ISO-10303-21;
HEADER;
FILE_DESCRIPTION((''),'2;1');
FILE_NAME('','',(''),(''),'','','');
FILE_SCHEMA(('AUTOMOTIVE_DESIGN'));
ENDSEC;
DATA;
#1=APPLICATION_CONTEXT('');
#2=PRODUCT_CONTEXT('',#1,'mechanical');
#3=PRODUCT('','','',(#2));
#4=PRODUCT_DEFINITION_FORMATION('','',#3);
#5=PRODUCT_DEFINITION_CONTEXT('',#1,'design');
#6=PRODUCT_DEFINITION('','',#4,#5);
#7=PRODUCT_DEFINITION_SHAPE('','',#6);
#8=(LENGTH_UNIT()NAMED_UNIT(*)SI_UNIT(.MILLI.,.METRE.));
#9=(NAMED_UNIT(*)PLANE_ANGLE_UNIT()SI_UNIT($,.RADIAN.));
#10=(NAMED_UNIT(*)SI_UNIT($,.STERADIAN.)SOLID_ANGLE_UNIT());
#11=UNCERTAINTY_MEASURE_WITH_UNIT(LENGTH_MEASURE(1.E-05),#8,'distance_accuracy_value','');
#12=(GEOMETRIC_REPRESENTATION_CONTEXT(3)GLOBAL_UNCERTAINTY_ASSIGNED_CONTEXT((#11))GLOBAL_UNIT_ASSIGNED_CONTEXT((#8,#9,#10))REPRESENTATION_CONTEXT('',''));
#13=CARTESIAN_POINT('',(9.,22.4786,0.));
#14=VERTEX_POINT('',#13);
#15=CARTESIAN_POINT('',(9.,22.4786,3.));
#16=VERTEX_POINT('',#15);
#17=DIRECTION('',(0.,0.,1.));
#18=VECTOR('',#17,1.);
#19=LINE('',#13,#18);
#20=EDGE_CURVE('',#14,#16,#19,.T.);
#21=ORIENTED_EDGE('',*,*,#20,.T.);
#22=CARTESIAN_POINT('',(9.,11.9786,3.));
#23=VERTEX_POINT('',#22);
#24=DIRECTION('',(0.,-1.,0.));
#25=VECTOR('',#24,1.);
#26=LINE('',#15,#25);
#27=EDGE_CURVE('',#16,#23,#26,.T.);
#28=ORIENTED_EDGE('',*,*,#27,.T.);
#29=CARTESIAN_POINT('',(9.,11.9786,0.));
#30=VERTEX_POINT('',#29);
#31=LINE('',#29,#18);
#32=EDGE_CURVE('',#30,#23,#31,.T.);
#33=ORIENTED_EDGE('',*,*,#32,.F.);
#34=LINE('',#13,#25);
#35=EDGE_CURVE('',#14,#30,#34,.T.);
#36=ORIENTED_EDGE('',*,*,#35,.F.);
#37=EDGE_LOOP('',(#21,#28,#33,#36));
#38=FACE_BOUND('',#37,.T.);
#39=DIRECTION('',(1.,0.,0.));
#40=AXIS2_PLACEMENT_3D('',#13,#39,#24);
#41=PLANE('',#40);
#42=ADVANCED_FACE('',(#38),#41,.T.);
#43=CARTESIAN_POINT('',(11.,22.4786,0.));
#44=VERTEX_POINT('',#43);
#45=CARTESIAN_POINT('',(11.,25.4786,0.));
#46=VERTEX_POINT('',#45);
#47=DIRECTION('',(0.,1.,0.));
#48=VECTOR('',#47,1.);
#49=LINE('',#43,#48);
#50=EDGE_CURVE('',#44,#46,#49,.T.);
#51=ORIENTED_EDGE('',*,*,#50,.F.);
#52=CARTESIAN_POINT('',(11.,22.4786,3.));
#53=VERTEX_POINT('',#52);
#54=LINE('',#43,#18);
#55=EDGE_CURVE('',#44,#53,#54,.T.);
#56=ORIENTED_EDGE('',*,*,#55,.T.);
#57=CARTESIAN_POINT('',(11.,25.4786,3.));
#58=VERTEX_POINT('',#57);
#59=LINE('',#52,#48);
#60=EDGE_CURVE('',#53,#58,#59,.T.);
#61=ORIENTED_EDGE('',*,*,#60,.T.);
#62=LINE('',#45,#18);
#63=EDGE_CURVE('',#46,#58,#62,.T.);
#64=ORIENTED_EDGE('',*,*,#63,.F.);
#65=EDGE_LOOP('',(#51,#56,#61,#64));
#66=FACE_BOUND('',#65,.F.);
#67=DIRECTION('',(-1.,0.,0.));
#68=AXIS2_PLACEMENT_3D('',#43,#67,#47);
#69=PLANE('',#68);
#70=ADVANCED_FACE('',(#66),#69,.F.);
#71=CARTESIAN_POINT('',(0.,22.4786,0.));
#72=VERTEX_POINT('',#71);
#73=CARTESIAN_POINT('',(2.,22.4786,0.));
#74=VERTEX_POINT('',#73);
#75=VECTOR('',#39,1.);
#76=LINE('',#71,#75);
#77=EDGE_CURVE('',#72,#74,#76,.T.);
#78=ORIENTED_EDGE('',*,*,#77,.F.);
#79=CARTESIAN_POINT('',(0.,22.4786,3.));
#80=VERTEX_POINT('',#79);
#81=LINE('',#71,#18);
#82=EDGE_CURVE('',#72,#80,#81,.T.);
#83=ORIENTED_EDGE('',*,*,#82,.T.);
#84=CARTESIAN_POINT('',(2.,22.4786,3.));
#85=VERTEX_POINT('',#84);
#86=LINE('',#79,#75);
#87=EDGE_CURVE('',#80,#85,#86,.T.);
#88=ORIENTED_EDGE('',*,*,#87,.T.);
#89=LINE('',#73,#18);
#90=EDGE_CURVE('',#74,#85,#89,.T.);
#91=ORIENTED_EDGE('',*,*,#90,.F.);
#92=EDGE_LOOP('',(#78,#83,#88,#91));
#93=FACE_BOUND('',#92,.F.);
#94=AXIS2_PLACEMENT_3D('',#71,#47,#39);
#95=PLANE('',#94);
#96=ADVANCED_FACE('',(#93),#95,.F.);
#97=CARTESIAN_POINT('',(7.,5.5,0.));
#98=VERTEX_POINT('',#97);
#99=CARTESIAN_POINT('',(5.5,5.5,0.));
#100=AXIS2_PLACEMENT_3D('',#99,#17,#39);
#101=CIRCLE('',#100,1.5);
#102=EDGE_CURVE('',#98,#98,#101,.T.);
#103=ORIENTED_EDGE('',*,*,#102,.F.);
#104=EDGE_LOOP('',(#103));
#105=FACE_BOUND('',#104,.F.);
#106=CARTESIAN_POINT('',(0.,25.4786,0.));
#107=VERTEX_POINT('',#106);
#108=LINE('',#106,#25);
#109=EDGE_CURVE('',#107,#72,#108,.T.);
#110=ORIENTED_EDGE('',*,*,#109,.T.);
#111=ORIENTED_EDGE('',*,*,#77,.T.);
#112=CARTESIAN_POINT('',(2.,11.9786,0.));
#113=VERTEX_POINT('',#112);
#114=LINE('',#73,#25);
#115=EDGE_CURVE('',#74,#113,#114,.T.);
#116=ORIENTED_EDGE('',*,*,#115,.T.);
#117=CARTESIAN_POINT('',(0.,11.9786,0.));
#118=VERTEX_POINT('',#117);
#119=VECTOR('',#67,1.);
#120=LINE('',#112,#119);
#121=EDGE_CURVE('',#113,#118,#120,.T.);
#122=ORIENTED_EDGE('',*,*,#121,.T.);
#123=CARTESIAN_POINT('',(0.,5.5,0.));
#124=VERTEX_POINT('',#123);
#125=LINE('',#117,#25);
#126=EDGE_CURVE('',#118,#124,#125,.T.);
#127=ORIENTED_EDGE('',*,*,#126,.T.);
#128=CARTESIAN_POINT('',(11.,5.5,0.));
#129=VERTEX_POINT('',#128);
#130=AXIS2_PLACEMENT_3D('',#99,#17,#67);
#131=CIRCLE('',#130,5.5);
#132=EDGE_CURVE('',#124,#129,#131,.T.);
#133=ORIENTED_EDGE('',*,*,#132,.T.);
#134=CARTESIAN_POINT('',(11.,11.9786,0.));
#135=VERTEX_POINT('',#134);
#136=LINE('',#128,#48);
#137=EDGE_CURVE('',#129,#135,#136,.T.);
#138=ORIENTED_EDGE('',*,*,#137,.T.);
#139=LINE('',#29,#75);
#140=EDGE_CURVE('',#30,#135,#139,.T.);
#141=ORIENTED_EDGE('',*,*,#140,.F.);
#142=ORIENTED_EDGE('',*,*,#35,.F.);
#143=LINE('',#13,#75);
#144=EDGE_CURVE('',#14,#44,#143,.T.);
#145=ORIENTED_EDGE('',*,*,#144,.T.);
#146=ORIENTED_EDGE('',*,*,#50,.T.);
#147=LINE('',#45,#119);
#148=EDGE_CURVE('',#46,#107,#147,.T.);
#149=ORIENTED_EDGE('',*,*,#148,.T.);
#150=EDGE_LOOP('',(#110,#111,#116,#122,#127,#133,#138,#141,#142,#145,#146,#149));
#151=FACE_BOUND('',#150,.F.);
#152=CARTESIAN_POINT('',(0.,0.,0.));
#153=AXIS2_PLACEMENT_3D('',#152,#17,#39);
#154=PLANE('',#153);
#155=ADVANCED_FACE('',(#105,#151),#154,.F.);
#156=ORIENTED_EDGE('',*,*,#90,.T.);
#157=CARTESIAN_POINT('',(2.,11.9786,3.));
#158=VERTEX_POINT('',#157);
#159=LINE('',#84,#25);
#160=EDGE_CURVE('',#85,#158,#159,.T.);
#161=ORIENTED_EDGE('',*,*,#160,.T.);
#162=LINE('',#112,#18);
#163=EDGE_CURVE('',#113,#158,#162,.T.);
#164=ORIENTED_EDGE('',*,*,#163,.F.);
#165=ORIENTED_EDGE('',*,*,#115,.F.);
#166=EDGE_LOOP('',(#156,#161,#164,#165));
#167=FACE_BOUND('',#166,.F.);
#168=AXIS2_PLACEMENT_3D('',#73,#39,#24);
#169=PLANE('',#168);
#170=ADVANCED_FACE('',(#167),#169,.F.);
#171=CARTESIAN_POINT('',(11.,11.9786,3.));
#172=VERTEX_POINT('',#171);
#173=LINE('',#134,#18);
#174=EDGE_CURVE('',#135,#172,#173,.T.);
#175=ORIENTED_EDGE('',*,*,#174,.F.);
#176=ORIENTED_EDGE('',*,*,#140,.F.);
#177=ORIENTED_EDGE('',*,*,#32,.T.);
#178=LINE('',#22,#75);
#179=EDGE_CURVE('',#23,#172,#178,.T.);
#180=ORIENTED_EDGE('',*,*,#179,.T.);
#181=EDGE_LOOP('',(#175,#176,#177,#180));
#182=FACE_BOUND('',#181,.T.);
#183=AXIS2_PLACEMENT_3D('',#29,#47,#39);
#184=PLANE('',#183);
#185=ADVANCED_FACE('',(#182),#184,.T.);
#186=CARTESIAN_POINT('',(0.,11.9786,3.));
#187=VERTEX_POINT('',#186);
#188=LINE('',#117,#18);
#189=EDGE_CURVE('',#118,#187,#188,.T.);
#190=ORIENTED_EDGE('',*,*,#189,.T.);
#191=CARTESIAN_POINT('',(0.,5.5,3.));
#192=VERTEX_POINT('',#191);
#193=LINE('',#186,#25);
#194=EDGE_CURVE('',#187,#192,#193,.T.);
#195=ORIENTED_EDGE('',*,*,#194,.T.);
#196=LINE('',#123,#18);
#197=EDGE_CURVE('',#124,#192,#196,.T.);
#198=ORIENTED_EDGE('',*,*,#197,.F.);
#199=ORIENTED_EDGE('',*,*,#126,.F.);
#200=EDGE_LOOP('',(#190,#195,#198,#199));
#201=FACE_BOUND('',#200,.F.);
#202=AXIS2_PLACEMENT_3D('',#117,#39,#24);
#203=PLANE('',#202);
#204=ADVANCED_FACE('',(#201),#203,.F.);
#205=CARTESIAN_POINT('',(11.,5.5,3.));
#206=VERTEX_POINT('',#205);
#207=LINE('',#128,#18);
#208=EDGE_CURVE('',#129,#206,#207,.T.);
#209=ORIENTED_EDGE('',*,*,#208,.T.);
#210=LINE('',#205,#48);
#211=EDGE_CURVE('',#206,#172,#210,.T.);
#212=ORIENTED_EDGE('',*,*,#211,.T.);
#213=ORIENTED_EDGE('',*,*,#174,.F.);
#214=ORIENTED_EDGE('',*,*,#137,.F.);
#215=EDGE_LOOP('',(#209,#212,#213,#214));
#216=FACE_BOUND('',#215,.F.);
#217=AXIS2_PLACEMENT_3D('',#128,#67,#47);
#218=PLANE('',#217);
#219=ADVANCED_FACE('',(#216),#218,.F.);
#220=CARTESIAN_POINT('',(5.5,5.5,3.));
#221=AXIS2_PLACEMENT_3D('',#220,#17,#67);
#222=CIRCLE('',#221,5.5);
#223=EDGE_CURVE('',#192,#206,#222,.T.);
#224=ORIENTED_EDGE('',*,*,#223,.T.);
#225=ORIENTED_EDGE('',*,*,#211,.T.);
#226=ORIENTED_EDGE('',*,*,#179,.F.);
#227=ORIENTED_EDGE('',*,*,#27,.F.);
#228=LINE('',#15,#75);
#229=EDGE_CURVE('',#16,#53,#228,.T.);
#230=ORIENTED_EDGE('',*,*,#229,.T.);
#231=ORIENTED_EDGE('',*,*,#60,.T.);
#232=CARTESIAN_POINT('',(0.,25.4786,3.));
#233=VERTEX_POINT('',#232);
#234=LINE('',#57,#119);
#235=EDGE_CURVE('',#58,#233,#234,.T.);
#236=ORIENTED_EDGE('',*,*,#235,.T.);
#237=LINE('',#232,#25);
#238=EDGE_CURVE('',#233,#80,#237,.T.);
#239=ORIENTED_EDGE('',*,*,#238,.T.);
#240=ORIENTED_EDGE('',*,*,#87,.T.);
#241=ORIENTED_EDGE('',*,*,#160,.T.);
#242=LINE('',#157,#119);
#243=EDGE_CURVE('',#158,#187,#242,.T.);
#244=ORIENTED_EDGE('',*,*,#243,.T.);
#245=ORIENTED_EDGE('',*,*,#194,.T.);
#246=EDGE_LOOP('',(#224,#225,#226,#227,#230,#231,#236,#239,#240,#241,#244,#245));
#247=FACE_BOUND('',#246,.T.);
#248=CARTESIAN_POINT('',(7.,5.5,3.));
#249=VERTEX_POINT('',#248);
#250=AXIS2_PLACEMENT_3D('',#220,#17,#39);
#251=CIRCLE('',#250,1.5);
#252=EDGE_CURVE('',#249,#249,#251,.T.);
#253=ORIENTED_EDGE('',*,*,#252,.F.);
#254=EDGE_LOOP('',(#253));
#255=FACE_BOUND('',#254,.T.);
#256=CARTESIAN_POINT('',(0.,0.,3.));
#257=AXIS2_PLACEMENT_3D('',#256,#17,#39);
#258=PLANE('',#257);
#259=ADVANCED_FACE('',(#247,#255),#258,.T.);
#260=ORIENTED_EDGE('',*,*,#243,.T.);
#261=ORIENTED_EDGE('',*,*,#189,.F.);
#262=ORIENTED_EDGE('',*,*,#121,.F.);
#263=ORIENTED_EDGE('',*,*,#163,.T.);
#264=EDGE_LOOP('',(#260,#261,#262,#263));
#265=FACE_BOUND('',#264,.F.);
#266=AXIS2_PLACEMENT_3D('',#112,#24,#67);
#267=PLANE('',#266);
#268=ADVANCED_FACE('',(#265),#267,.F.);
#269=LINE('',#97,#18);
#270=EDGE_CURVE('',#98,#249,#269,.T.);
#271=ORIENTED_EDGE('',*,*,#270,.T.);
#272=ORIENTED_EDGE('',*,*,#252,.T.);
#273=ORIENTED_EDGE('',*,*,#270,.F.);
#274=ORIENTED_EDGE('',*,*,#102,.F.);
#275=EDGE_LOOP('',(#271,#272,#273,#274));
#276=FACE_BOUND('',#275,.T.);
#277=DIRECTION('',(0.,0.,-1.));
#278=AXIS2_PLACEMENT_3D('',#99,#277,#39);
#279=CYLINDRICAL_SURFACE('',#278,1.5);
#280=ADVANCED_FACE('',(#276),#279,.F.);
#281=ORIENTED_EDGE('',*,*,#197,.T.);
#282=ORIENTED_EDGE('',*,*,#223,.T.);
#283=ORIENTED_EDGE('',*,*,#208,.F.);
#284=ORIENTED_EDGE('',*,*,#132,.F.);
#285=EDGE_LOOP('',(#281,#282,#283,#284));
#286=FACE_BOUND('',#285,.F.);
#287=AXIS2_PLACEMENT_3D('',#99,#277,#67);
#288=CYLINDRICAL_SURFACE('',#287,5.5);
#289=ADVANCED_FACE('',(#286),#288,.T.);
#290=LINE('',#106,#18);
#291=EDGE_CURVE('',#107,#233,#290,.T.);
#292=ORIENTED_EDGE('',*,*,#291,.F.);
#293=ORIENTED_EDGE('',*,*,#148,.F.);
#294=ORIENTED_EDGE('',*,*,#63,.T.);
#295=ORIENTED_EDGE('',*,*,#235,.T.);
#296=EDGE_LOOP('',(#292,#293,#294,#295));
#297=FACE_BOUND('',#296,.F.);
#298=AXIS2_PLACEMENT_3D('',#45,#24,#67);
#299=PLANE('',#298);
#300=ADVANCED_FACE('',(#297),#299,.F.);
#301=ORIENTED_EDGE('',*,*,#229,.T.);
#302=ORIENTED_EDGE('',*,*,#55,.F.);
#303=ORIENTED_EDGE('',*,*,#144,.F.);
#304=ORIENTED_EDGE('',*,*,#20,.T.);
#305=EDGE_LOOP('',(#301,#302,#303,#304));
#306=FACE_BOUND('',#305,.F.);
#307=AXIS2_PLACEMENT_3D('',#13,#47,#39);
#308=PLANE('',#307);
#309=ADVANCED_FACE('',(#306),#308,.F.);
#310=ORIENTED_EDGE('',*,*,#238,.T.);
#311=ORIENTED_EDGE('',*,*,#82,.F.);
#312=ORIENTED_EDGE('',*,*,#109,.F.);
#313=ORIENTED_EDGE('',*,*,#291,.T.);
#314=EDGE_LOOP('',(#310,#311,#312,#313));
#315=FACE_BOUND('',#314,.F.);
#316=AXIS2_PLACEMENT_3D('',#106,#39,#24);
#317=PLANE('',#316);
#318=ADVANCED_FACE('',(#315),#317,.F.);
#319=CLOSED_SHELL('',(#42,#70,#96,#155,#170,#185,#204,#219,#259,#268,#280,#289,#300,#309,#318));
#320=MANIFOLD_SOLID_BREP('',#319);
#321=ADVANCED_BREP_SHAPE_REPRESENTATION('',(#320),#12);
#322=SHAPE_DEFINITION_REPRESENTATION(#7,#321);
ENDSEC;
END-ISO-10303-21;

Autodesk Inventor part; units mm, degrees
ref_plane "YZ Plane" through (0, 0, 0) normal (1, 0, 0) x (0, 1, 0)
ref_plane "XZ Plane" through (0, 0, 0) normal (0, 1, 0) x (-1, 0, 0)
ref_plane "XY Plane" through (0, 0, 0) normal (0, 0, 1) x (1, 0, 0)
sketch "Sketch6" plane through (0, 0, 0) normal (0, 0, 1) x (1, 0, 0)
  line L0 (11, 25.4786) -> (0, 25.4786)
  line L1 (2, 22.4786) -> (2, 11.9786)
  line L2 (9, 22.4786) -> (9, 11.9786)
  line L3 (2, 11.9786) -> (0, 11.9786)
  line L4 (9, 11.9786) -> (11, 11.9786)
  arc A0 (0, 5.5) -> (11, 5.5) centre (5.5, 5.5) ccw
  circle A1 centre (5.5, 5.5) radius 1.5
  line L5 (0, 22.4786) -> (2, 22.4786)
  line L6 (9, 22.4786) -> (11, 22.4786)
  line L7 (0, 25.4786) -> (0, 22.4786)
  line L8 (0, 11.9786) -> (0, 5.5)
  line L9 (11, 5.5) -> (11, 11.9786)
  line L10 (11, 22.4786) -> (11, 25.4786)
  point P0 (0, 0)
  point P1 (10, 11.9786)
  dimension "d92" = 10.5
  dimension "d93" = 10.5
  dimension "d94" = 2
  dimension "d95" = 2
  dimension "d96" = 3
  dimension "d97" = 11
  dimension "d98" = 6.4786
extrude "Extrusion3" add sketch "Sketch6" along normal blind 3
properties part number "4P.01.02.27-BC-v1-Final Aileron L2 80deg" material "Acrylic, Clear"
